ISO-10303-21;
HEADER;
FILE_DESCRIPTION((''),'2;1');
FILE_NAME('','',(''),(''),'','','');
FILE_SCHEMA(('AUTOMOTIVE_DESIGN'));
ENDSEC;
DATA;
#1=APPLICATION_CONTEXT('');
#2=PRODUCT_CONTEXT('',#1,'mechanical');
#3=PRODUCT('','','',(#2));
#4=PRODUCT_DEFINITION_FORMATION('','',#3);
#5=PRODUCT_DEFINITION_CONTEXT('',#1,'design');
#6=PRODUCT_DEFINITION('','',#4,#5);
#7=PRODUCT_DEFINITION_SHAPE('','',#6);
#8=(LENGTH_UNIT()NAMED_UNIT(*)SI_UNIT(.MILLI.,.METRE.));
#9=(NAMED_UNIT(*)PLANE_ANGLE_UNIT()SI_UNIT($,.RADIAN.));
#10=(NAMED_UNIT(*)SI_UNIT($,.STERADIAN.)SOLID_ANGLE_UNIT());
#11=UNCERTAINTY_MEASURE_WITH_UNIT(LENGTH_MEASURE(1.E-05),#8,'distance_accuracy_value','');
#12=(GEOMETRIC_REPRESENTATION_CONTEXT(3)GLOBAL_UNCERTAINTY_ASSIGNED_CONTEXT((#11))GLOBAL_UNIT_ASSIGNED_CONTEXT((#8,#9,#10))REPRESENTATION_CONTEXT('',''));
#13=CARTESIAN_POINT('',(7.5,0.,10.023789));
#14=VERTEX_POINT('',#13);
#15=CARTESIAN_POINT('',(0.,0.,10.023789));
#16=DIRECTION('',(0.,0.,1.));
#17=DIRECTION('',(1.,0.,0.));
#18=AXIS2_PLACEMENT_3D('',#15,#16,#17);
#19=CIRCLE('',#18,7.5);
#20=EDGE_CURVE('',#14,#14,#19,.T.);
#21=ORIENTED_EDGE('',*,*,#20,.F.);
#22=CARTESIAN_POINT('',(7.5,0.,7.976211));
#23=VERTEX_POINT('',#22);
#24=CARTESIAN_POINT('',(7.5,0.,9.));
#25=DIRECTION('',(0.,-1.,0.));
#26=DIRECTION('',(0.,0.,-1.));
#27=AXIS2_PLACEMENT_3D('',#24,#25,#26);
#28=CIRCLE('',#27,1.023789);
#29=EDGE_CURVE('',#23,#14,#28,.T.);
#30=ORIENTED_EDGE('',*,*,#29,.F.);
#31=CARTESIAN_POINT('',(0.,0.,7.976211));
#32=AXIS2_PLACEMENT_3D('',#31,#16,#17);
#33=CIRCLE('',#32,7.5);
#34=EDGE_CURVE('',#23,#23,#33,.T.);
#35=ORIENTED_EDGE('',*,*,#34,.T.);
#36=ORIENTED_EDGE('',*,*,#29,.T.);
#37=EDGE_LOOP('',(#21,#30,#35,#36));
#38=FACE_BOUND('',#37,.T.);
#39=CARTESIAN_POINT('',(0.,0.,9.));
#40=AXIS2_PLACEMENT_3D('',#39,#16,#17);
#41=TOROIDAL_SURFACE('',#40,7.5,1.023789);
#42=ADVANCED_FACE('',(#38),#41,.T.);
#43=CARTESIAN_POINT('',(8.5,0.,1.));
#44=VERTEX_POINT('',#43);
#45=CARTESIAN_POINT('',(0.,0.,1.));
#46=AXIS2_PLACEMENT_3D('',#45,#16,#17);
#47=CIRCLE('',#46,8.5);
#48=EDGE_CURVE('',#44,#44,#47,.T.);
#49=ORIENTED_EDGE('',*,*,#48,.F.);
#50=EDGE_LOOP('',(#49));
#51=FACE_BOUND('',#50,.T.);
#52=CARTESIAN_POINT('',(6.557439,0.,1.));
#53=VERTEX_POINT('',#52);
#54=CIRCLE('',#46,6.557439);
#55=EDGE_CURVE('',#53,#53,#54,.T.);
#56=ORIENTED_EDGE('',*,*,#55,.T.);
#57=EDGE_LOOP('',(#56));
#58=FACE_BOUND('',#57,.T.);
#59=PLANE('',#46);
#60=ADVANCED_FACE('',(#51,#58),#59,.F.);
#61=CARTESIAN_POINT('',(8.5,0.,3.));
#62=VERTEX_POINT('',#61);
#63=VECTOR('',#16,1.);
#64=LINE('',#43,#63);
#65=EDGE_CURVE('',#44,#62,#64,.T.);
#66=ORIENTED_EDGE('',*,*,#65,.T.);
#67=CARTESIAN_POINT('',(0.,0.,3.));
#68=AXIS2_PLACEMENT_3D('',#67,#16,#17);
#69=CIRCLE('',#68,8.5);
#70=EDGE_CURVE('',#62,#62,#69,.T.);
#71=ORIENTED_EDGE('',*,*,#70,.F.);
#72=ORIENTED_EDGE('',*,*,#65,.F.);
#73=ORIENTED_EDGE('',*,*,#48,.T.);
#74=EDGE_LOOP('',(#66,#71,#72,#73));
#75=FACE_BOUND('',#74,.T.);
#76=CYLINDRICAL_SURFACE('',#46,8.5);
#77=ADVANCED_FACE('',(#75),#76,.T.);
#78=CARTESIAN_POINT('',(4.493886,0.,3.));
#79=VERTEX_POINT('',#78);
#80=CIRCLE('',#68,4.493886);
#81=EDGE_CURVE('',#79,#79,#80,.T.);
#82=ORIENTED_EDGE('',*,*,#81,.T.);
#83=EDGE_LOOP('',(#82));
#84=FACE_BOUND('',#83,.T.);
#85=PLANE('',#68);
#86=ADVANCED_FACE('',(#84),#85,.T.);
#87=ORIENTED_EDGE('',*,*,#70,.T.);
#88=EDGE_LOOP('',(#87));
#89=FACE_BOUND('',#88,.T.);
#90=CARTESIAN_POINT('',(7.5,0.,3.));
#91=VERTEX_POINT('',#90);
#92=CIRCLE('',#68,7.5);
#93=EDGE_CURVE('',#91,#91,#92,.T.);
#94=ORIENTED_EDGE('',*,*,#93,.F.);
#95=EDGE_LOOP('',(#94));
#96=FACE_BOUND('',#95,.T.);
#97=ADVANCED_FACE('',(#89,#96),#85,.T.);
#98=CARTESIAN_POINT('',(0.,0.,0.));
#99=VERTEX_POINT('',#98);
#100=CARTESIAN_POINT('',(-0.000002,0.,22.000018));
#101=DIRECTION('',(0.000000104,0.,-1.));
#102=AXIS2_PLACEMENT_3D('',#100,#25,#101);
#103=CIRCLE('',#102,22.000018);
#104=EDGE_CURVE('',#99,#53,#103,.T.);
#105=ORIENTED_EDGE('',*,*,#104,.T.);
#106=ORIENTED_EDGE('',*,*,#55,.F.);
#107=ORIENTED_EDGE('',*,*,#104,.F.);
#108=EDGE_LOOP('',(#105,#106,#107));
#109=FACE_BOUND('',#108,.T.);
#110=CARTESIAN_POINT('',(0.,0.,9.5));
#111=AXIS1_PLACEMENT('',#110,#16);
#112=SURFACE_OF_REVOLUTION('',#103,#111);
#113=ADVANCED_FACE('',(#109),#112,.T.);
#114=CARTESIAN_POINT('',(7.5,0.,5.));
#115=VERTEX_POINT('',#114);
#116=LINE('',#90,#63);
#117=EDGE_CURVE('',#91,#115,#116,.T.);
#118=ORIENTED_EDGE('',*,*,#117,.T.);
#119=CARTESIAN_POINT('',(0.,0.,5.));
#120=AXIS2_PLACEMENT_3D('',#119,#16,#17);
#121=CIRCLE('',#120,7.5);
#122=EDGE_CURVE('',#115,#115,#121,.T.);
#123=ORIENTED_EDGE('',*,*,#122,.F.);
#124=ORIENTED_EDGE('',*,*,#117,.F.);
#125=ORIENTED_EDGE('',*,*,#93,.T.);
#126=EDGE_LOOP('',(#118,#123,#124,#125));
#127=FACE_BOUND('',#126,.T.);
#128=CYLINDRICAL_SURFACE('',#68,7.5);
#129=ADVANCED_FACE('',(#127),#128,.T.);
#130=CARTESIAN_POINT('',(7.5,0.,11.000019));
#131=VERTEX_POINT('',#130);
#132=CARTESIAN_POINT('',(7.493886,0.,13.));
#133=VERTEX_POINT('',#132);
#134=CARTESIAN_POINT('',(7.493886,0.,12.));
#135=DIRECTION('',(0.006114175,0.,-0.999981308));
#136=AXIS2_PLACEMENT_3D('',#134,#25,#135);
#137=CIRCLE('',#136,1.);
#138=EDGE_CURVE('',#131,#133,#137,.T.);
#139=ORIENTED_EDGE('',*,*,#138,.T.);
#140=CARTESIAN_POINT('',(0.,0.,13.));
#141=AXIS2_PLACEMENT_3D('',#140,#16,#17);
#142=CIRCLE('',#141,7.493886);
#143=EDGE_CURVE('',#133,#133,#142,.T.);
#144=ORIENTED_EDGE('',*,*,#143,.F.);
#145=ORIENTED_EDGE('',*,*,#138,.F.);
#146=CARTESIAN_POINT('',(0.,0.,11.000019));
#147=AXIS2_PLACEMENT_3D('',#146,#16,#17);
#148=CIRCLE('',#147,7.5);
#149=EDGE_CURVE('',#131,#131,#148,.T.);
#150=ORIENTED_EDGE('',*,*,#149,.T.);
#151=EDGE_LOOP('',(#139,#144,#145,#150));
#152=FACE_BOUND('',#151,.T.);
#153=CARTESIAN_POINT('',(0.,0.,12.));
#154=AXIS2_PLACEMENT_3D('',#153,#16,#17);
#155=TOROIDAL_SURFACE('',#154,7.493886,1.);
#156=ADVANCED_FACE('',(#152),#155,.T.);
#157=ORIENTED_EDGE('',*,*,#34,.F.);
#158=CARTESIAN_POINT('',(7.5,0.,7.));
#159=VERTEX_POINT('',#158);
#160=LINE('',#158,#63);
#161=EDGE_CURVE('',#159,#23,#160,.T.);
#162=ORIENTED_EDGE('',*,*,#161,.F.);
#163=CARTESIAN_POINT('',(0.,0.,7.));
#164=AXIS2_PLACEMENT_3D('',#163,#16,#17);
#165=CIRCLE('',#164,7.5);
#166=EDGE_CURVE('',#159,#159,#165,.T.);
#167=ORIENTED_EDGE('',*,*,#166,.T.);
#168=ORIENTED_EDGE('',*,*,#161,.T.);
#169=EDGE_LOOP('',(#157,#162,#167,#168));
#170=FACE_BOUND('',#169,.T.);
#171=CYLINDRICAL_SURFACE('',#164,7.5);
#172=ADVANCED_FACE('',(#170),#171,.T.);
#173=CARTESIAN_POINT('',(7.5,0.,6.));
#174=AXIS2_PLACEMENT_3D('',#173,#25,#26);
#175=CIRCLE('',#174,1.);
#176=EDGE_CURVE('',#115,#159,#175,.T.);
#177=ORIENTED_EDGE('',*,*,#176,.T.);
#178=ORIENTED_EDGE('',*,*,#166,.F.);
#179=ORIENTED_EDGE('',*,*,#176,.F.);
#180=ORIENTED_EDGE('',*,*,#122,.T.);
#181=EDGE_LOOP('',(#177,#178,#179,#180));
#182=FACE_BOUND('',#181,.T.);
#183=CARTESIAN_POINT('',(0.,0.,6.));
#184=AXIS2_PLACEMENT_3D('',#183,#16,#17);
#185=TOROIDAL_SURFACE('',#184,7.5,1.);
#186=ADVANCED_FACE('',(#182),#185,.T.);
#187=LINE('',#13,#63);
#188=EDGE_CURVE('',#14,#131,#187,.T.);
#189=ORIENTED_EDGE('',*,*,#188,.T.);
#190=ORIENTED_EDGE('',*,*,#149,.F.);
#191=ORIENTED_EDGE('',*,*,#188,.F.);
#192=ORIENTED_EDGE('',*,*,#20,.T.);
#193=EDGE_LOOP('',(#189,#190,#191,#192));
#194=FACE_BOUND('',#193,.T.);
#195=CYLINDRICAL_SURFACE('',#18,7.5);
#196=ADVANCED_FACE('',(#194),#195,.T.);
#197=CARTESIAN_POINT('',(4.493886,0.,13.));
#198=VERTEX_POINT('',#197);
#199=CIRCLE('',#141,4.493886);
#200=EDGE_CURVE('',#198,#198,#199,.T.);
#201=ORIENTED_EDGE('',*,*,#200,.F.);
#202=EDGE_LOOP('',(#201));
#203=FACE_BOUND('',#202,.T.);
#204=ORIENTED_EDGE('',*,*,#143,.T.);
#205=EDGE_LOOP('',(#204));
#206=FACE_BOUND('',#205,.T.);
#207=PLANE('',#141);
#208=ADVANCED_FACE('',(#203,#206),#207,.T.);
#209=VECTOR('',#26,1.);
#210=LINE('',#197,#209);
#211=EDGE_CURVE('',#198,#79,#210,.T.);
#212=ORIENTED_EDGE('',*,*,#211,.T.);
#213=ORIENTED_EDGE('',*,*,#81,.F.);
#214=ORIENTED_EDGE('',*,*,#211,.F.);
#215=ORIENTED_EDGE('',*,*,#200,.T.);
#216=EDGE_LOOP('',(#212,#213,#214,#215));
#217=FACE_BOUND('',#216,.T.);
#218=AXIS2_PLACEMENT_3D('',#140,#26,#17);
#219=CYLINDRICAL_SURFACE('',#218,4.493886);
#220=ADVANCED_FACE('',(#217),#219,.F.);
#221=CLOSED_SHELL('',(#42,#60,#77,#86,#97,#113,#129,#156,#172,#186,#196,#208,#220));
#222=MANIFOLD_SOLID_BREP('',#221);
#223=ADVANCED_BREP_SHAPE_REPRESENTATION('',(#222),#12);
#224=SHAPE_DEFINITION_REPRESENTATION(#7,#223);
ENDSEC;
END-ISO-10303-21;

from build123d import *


with BuildPart() as f1:
    # F0 (on Front) → F1 (revolve)
    with BuildSketch(Plane.XZ):
        with BuildLine():
            Line((8.5, 1), (8.5, 3))
            Line((8.5, 3), (7.5, 3))
            Line((7.5, 3), (7.5, 5))
            ThreePointArc((7.5, 5), (8.5, 6), (7.5, 7))
            Line((7.5, 7), (7.5, 7.976211))
            ThreePointArc((7.5, 7.976211), (8.523789, 9), (7.5, 10.023789))
            Line((7.5, 10.023789), (7.5, 11.000019))
            ThreePointArc((7.5, 11.000019), (8.493881, 12.003057), (7.493886, 13))
            Line((7.493886, 13), (4.493886, 13))
            Line((4.493886, 13), (4.493886, 3))
            Line((4.493886, 3), (0, 3))
            Line((0, 3), (0, 0))
            ThreePointArc((0, 0), (3.316625, 0.251437), (6.557439, 1))
            Line((6.557439, 1), (8.5, 1))
        make_face()
    revolve(axis=Axis((0, 0, 9.5), (0, 0, 1)))


solid = f1.part
